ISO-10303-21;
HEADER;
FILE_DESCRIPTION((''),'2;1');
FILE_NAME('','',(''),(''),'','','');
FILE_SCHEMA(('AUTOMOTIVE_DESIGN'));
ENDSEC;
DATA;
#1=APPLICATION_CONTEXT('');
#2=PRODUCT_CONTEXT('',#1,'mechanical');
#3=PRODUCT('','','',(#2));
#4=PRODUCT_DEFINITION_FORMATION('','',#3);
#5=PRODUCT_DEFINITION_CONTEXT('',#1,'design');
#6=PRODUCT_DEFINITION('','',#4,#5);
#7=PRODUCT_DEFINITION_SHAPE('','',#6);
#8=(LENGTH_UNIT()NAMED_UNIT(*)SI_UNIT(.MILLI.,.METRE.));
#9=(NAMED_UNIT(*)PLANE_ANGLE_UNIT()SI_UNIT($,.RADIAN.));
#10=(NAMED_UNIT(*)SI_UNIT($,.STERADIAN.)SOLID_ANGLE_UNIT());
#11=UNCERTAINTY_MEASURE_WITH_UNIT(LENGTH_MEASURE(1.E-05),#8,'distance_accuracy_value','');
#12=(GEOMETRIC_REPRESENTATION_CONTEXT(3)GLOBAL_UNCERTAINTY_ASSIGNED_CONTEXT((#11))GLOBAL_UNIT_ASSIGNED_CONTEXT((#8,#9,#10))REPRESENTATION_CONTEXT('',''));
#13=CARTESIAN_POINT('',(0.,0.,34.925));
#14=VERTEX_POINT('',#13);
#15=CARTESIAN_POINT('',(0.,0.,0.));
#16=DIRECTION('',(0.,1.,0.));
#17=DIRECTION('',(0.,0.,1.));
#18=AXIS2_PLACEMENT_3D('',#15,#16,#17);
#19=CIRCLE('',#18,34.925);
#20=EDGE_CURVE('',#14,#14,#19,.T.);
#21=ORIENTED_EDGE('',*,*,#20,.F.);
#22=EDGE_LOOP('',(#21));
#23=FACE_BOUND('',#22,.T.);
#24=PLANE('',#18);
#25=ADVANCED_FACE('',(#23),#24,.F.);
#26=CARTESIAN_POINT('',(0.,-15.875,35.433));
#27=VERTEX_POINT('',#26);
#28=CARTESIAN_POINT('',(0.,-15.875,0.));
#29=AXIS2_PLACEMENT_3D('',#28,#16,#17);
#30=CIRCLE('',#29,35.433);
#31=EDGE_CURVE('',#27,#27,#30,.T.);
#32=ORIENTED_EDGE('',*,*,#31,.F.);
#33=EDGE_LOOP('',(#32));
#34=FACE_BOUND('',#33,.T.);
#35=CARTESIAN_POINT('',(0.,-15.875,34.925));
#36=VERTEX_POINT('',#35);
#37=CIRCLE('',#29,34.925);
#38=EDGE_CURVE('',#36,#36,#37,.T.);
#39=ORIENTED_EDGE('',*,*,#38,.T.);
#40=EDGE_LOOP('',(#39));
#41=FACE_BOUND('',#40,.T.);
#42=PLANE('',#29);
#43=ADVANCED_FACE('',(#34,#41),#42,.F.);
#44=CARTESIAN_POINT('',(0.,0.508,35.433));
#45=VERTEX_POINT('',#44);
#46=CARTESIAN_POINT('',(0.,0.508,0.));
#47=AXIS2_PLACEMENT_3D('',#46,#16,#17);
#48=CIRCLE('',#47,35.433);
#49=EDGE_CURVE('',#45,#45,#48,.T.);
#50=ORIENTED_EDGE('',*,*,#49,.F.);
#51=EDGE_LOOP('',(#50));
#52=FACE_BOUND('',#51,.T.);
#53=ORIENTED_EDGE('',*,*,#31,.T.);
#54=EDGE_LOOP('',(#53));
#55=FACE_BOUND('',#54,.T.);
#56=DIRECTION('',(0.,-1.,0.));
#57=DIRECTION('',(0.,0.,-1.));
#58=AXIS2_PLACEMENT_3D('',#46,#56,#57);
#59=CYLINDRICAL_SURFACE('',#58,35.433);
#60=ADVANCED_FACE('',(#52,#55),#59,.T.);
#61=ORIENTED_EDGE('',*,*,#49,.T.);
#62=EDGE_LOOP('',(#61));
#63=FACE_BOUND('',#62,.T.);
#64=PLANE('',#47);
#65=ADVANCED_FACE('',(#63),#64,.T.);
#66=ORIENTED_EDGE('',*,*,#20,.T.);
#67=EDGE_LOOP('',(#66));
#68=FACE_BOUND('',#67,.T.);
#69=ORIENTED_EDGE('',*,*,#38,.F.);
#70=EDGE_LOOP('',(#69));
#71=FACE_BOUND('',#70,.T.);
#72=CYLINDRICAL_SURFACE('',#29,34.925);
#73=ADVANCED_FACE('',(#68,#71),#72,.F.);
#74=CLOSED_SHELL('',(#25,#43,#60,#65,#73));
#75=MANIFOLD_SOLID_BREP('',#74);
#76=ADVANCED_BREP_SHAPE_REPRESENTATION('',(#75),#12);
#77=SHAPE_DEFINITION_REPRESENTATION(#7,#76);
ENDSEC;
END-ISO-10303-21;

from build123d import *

# Parameters (mm, degrees)
SKETCH1_R           = 35.433
BOSS_EXTRUDE1_DEPTH = 0.508
BOSS_EXTRUDE2_START = -15.875
SKETCH1_3_R         = 35.433
SKETCH1_3_R_2       = 34.925
BOSS_EXTRUDE2_DEPTH = 15.875


with BuildPart() as part:
    # Sketch1 → Boss-Extrude1 (new body)
    with BuildSketch(Plane(origin=(0, 0, 0), x_dir=(1, 0, 0), z_dir=(0, 1, 0))):
        Circle(SKETCH1_R)
    extrude(amount=BOSS_EXTRUDE1_DEPTH)

    # Sketch1<3> → Boss-Extrude2 (add)
    with BuildSketch(Plane(origin=(0, 0, 0), x_dir=(1, 0, 0), z_dir=(0, 1, 0)).offset(BOSS_EXTRUDE2_START)):
        Circle(SKETCH1_3_R)
        Circle(SKETCH1_3_R_2, mode=Mode.SUBTRACT)
    extrude(amount=BOSS_EXTRUDE2_DEPTH)


solid = part.part
